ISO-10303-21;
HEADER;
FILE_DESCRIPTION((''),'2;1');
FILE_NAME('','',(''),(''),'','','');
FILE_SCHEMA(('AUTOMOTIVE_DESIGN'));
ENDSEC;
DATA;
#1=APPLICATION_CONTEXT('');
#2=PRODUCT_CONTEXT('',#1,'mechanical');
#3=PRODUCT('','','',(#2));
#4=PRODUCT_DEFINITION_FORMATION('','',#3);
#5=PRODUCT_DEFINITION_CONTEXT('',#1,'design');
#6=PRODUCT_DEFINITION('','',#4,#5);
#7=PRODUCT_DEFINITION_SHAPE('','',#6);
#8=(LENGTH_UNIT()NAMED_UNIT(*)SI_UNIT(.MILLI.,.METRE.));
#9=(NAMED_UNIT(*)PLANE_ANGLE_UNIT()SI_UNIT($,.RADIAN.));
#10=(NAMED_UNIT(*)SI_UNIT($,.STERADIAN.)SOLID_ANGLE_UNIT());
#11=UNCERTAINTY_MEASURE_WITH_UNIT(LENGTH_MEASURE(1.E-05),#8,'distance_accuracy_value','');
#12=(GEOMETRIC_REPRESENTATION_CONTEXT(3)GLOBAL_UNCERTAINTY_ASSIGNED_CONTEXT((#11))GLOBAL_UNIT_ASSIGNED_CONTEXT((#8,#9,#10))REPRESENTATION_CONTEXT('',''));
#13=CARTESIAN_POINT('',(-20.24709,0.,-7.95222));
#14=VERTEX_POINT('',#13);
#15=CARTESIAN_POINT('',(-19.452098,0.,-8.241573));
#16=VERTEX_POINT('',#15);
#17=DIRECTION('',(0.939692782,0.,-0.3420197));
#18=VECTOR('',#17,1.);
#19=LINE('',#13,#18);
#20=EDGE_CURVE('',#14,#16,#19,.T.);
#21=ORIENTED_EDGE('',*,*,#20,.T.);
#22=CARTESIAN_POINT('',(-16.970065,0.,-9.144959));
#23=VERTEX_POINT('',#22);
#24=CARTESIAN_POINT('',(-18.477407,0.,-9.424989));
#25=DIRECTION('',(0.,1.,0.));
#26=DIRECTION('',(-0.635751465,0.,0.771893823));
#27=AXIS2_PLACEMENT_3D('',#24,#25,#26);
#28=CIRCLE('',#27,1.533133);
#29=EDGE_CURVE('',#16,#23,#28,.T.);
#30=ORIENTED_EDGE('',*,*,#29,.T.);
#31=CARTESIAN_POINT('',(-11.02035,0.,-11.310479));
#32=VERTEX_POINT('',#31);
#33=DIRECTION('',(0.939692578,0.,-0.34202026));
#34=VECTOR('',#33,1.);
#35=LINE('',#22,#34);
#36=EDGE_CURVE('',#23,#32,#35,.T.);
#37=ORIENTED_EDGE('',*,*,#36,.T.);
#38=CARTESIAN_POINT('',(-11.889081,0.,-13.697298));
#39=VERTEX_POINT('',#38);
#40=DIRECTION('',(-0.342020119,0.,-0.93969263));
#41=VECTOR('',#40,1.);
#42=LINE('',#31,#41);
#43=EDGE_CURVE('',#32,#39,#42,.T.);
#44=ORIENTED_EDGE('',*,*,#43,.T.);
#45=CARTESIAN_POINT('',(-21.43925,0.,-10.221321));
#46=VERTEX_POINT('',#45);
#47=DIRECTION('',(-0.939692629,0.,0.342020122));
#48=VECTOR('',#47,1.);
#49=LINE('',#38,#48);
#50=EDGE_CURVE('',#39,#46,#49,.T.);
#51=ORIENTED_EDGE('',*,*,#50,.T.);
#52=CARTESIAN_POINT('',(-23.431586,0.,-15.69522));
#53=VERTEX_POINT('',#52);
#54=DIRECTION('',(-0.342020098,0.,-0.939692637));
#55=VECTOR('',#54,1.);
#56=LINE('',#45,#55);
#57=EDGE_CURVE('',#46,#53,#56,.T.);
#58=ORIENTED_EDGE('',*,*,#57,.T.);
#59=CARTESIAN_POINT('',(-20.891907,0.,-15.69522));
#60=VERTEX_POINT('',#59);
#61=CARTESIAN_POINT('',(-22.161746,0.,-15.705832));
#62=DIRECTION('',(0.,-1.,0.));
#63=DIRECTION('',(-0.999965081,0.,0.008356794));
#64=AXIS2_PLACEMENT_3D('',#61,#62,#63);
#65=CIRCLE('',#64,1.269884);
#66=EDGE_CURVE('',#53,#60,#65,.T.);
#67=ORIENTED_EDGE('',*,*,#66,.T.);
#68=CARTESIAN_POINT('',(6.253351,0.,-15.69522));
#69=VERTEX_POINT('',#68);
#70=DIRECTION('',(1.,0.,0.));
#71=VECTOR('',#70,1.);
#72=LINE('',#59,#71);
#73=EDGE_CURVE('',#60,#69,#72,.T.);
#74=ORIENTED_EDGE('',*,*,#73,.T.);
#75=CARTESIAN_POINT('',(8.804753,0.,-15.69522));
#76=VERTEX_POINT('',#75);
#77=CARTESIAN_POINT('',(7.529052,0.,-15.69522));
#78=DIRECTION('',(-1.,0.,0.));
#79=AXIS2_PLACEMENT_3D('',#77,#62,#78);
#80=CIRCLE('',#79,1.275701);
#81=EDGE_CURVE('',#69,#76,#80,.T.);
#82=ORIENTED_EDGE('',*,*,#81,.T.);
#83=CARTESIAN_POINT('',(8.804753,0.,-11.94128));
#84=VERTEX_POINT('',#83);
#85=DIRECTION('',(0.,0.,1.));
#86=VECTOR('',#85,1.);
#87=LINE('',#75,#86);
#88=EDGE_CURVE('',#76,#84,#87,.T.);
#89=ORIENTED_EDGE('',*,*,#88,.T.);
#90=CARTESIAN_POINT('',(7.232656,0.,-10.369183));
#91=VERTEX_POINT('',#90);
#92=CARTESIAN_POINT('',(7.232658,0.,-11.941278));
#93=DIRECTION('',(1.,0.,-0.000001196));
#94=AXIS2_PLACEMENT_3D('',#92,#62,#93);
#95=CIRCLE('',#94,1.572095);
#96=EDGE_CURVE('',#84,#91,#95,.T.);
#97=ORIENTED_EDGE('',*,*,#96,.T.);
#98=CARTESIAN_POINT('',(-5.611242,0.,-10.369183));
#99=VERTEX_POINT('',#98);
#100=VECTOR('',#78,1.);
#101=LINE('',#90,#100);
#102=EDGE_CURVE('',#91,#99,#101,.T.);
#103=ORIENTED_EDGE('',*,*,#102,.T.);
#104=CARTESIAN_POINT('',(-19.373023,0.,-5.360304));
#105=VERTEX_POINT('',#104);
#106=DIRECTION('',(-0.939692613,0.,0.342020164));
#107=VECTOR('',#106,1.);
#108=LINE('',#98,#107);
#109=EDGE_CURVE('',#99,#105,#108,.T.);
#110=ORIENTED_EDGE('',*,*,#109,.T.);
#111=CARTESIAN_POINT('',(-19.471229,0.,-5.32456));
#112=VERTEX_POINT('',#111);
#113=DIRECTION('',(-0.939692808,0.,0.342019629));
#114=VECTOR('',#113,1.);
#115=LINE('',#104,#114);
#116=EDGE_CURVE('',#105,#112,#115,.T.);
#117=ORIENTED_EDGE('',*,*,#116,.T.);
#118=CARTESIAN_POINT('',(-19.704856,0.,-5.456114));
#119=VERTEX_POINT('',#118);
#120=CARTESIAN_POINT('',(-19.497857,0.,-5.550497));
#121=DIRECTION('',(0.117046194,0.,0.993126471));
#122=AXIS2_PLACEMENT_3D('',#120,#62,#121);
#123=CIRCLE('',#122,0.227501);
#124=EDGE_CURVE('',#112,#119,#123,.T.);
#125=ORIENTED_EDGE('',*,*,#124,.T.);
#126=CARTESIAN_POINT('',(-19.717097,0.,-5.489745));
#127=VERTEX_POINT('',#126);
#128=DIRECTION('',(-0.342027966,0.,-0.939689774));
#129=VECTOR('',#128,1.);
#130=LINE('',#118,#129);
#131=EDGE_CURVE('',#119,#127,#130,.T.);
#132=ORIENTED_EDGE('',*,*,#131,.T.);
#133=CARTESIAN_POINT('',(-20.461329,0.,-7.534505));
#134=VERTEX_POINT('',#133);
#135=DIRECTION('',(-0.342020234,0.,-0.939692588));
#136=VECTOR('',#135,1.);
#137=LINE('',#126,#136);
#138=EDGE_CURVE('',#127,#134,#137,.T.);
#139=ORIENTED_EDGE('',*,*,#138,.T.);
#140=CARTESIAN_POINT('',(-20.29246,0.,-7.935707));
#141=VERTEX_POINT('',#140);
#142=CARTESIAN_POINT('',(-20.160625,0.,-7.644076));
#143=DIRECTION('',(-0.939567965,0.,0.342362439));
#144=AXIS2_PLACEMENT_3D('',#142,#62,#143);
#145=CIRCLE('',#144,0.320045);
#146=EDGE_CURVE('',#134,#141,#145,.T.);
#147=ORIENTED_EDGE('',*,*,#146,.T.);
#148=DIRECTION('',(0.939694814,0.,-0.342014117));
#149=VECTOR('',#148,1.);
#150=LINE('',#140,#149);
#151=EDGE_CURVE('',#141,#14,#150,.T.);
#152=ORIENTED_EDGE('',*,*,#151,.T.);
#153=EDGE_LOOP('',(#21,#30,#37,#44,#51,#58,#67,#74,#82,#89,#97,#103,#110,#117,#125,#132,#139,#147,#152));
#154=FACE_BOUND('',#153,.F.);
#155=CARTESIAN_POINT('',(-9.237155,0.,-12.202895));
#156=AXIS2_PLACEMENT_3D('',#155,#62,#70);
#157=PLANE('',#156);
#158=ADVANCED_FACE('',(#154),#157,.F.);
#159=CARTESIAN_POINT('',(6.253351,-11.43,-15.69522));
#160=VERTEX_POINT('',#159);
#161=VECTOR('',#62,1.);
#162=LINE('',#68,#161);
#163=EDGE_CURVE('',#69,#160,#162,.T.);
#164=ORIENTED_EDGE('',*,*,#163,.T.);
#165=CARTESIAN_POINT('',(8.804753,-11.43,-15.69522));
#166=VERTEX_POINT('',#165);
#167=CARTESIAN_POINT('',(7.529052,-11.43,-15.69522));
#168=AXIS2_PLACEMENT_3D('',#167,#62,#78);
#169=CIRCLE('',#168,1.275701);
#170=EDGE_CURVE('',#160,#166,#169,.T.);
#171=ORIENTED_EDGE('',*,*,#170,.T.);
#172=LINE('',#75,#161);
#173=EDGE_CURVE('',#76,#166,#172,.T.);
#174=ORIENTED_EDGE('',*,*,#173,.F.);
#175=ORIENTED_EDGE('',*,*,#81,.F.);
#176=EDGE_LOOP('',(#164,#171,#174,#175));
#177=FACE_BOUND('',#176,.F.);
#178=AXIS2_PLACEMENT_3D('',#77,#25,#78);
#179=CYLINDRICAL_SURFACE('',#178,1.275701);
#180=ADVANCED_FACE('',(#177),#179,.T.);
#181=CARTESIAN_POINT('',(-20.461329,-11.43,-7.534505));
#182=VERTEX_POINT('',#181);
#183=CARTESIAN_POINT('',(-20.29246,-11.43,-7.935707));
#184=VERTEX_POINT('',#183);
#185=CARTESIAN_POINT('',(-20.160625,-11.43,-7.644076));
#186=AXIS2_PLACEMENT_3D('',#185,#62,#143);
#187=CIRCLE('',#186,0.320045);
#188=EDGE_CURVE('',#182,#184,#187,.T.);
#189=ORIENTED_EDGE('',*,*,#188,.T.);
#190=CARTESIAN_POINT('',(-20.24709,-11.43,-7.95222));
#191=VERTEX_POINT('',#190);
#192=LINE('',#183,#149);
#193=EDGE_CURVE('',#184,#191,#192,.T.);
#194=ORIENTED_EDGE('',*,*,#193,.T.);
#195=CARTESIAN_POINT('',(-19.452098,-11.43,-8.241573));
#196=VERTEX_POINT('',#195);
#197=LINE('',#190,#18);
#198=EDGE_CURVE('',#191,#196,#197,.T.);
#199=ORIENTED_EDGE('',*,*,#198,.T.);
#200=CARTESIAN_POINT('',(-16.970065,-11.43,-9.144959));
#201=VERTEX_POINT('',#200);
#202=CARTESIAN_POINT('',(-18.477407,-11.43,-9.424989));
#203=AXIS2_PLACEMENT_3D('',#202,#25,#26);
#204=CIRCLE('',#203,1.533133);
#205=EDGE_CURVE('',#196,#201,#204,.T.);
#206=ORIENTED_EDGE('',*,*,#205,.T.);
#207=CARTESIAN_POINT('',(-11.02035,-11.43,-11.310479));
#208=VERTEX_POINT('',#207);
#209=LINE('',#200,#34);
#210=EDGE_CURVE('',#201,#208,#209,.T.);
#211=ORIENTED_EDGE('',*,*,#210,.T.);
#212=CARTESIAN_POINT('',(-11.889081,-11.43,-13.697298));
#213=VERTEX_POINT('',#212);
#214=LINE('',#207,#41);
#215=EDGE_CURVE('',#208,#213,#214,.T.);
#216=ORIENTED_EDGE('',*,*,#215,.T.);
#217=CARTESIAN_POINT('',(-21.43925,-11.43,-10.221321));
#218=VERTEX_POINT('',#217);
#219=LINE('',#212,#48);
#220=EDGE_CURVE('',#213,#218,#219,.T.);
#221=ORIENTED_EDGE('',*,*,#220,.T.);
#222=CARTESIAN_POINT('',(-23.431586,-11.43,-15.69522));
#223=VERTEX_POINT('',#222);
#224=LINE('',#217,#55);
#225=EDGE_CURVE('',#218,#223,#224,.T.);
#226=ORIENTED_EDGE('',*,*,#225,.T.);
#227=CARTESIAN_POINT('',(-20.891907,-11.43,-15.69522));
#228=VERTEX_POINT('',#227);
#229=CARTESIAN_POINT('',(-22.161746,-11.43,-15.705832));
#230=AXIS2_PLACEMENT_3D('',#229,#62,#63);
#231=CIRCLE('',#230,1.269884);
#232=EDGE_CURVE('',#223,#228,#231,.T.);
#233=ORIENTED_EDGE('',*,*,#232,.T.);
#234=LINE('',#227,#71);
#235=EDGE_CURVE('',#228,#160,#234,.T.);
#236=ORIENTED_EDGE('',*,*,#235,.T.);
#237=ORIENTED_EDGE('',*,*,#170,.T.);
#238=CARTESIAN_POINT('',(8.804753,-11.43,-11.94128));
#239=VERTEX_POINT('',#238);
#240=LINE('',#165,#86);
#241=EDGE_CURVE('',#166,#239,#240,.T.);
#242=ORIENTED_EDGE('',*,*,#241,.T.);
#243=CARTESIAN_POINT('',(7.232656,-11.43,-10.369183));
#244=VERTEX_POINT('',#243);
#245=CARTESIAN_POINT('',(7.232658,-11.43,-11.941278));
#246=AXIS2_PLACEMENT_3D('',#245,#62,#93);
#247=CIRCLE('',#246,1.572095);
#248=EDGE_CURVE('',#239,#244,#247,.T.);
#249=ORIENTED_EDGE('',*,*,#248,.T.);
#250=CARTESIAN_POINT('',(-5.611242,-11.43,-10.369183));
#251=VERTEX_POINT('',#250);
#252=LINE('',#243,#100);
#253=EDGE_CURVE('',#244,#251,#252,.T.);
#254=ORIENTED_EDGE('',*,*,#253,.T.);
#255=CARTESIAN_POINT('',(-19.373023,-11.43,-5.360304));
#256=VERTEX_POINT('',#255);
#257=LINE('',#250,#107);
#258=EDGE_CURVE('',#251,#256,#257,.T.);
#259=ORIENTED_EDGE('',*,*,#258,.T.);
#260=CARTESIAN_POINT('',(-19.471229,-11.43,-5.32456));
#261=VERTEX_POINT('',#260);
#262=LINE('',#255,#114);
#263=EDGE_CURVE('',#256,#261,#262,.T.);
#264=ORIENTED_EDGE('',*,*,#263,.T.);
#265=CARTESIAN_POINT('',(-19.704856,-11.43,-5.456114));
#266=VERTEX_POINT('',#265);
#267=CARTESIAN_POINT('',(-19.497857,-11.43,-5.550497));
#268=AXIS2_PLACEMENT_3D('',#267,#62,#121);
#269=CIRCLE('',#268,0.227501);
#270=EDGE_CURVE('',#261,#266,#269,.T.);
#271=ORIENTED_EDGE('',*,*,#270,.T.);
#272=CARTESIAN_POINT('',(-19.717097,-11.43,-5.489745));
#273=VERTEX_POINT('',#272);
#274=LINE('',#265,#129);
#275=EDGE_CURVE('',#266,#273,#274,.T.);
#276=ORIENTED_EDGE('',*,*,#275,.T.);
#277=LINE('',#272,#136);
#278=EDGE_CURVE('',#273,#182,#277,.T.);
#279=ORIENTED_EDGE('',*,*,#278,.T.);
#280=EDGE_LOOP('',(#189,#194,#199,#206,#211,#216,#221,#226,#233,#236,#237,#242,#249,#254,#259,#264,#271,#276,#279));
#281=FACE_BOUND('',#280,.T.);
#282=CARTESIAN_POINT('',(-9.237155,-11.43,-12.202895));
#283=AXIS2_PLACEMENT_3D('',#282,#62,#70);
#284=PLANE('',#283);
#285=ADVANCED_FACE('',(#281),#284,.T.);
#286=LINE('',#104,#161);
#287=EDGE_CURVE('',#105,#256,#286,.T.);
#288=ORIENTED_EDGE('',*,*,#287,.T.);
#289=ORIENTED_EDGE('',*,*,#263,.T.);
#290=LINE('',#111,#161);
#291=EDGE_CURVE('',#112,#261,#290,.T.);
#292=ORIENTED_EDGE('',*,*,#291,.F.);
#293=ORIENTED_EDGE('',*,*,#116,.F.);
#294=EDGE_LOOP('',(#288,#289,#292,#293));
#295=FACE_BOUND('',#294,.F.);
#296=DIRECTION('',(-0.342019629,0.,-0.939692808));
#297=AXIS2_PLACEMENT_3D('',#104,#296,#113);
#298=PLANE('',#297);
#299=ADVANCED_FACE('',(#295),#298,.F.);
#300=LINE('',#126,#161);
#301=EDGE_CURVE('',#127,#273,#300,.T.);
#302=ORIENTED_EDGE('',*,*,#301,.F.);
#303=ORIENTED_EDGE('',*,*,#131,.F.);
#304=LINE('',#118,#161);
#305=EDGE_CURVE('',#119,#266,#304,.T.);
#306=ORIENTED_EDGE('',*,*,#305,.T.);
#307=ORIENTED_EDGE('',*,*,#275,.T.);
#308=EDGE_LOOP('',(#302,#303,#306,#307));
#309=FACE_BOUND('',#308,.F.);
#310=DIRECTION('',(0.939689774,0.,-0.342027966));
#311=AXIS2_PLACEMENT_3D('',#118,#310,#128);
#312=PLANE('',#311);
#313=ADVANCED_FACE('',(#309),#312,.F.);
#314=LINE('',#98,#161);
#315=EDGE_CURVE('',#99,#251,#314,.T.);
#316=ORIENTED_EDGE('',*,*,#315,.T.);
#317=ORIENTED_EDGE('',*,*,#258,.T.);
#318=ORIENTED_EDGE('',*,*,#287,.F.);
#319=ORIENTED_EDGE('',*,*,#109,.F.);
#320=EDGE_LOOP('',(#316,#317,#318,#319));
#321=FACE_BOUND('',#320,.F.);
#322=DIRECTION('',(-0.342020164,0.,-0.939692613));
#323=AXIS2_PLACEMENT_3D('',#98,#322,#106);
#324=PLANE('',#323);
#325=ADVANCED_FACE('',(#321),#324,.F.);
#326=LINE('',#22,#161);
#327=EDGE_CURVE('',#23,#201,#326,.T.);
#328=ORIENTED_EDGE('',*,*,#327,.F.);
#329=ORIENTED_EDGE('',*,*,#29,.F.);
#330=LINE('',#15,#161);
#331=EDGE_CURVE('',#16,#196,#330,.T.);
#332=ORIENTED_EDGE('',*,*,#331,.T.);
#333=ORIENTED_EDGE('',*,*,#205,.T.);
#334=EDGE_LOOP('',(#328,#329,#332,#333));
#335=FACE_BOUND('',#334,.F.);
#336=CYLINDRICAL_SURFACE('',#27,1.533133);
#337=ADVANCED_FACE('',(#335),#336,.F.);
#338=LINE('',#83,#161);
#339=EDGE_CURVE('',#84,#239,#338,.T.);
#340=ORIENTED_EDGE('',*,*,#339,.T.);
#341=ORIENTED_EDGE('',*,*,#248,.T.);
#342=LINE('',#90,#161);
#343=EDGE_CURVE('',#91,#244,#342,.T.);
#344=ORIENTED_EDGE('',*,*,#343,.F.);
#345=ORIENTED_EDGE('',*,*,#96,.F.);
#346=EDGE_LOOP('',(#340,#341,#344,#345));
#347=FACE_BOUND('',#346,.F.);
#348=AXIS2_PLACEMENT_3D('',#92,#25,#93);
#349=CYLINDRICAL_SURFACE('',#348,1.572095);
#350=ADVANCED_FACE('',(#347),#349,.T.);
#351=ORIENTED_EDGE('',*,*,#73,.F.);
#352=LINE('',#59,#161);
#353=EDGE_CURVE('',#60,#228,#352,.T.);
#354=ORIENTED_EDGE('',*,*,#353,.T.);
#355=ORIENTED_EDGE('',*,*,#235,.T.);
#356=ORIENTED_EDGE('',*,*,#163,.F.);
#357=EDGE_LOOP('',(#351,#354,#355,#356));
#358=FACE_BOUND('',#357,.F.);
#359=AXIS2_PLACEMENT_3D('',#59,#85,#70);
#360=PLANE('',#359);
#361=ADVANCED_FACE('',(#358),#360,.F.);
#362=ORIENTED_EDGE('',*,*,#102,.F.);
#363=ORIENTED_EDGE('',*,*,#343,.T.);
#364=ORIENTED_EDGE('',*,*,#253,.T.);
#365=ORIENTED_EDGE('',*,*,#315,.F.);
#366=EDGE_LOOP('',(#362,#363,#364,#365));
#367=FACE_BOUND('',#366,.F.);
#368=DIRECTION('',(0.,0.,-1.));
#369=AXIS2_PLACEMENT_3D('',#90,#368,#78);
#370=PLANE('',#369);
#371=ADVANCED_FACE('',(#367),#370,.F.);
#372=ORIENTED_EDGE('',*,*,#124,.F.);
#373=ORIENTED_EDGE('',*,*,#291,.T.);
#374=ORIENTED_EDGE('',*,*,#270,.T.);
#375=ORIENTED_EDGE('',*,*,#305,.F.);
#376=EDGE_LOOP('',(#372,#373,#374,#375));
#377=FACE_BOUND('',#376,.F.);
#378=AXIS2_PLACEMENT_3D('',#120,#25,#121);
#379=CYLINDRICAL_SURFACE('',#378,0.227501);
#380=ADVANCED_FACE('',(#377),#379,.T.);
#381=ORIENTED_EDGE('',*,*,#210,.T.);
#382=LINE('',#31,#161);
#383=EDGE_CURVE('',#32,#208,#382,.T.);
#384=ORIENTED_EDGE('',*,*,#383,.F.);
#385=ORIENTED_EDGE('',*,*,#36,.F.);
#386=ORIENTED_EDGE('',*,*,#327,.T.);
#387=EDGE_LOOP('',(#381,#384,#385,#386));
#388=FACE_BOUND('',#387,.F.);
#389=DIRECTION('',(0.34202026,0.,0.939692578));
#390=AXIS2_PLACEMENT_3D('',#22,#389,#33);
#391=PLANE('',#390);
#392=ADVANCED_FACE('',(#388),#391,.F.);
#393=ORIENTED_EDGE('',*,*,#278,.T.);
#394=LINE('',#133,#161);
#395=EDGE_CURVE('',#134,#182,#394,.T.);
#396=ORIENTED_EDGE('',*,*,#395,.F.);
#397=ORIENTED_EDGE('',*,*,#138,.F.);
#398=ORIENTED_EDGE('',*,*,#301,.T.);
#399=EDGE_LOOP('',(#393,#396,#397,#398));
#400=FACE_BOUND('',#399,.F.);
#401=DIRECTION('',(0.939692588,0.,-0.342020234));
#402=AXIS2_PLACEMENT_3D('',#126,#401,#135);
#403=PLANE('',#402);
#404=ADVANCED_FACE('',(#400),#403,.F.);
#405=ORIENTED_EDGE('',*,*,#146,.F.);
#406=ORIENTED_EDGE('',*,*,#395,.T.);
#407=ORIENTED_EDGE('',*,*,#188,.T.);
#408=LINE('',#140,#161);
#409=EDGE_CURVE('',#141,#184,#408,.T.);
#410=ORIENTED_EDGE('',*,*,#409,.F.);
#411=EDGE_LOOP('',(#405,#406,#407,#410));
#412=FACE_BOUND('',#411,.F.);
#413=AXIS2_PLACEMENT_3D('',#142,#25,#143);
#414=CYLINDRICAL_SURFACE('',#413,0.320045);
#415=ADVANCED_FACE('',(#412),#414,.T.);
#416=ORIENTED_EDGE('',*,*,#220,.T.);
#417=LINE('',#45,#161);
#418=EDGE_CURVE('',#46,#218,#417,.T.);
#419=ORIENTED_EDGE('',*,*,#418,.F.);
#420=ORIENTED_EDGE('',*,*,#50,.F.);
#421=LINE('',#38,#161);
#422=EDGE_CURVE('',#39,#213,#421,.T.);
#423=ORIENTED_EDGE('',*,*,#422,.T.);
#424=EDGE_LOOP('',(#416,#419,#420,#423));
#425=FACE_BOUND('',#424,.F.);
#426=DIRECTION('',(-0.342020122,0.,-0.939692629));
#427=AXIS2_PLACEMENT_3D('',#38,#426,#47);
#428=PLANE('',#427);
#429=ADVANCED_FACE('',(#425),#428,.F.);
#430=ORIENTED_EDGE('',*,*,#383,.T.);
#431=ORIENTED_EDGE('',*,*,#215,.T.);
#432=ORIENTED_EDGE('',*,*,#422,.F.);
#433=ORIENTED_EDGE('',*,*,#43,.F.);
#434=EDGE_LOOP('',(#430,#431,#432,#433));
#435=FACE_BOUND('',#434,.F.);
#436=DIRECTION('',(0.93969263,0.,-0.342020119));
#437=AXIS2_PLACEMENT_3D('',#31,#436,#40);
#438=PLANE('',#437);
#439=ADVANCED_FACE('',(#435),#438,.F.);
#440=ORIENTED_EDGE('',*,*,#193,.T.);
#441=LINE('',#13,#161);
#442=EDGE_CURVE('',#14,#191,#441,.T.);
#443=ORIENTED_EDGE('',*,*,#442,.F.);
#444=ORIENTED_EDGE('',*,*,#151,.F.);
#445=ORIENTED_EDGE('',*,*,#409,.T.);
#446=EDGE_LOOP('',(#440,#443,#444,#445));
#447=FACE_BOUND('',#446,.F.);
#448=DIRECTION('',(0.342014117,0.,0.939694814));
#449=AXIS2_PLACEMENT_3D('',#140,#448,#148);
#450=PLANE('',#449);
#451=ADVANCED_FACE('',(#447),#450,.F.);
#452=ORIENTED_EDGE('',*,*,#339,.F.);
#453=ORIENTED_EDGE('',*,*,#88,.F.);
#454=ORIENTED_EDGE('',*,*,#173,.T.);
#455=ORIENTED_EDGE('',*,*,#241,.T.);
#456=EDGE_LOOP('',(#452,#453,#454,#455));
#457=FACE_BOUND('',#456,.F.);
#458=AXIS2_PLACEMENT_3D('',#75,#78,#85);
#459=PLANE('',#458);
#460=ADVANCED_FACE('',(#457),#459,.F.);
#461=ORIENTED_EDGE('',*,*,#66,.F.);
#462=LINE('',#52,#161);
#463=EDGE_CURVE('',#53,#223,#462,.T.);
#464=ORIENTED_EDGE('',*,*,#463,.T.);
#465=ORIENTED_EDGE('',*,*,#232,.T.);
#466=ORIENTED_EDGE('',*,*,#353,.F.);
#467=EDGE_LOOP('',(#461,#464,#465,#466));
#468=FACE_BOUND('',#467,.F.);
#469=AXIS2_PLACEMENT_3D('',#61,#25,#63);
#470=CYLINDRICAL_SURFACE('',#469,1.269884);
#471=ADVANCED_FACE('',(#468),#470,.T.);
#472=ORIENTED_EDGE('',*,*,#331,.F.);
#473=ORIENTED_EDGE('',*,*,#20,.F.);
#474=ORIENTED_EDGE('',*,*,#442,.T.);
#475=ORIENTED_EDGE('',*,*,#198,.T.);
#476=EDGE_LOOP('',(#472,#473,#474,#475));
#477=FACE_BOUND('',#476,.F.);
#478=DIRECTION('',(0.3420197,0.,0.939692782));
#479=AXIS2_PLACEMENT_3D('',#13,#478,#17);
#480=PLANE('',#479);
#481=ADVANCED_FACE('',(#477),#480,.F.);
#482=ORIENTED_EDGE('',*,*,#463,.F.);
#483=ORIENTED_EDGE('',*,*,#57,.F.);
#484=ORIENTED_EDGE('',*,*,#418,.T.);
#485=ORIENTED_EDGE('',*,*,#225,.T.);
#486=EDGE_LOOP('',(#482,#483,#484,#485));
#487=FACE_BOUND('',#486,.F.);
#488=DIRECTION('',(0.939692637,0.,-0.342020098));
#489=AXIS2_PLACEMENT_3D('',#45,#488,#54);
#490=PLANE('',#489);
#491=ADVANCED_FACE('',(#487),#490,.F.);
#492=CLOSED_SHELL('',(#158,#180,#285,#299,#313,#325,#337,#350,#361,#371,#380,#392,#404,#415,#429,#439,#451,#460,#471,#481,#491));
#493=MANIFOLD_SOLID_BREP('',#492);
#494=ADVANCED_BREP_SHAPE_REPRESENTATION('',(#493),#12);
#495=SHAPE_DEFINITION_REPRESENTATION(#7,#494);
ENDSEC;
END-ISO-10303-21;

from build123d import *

# Parameters (mm, degrees)
F1_DEPTH = 11.43


with BuildPart() as f1:
    # F0 (on Front) → F1 (new body)
    with BuildSketch(Plane.XZ):
        with BuildLine():
            Line((7.232656, -10.369183), (-5.611242, -10.369183))
            Line((-5.611242, -10.369183), (-19.373023, -5.360304))
            Line((-19.373023, -5.360304), (-19.471229, -5.32456))
            ThreePointArc((-19.471229, -5.32456), (-19.609481, -5.352263), (-19.704856, -5.456114))
            Line((-19.704856, -5.456114), (-19.717097, -5.489745))
            Line((-19.717097, -5.489745), (-20.461329, -7.534505))
            ThreePointArc((-20.461329, -7.534505), (-20.455605, -7.768236), (-20.29246, -7.935707))
            Line((-20.29246, -7.935707), (-20.24709, -7.95222))
            Line((-20.24709, -7.95222), (-19.452098, -8.241573))
            ThreePointArc((-19.452098, -8.241573), (-17.953045, -7.984315), (-16.970065, -9.144959))
            Line((-16.970065, -9.144959), (-11.02035, -11.310479))
            Line((-11.02035, -11.310479), (-11.889081, -13.697298))
            Line((-11.889081, -13.697298), (-21.43925, -10.221321))
            Line((-21.43925, -10.221321), (-23.431586, -15.69522))
            ThreePointArc((-23.431586, -15.69522), (-22.161746, -16.975716), (-20.891907, -15.69522))
            Line((-20.891907, -15.69522), (6.253351, -15.69522))
            ThreePointArc((6.253351, -15.69522), (7.529052, -16.970921), (8.804753, -15.69522))
            Line((8.804753, -15.69522), (8.804753, -11.94128))
            ThreePointArc((8.804753, -11.94128), (8.344297, -10.829639), (7.232656, -10.369183))
        make_face()
    extrude(amount=F1_DEPTH)


solid = f1.part
